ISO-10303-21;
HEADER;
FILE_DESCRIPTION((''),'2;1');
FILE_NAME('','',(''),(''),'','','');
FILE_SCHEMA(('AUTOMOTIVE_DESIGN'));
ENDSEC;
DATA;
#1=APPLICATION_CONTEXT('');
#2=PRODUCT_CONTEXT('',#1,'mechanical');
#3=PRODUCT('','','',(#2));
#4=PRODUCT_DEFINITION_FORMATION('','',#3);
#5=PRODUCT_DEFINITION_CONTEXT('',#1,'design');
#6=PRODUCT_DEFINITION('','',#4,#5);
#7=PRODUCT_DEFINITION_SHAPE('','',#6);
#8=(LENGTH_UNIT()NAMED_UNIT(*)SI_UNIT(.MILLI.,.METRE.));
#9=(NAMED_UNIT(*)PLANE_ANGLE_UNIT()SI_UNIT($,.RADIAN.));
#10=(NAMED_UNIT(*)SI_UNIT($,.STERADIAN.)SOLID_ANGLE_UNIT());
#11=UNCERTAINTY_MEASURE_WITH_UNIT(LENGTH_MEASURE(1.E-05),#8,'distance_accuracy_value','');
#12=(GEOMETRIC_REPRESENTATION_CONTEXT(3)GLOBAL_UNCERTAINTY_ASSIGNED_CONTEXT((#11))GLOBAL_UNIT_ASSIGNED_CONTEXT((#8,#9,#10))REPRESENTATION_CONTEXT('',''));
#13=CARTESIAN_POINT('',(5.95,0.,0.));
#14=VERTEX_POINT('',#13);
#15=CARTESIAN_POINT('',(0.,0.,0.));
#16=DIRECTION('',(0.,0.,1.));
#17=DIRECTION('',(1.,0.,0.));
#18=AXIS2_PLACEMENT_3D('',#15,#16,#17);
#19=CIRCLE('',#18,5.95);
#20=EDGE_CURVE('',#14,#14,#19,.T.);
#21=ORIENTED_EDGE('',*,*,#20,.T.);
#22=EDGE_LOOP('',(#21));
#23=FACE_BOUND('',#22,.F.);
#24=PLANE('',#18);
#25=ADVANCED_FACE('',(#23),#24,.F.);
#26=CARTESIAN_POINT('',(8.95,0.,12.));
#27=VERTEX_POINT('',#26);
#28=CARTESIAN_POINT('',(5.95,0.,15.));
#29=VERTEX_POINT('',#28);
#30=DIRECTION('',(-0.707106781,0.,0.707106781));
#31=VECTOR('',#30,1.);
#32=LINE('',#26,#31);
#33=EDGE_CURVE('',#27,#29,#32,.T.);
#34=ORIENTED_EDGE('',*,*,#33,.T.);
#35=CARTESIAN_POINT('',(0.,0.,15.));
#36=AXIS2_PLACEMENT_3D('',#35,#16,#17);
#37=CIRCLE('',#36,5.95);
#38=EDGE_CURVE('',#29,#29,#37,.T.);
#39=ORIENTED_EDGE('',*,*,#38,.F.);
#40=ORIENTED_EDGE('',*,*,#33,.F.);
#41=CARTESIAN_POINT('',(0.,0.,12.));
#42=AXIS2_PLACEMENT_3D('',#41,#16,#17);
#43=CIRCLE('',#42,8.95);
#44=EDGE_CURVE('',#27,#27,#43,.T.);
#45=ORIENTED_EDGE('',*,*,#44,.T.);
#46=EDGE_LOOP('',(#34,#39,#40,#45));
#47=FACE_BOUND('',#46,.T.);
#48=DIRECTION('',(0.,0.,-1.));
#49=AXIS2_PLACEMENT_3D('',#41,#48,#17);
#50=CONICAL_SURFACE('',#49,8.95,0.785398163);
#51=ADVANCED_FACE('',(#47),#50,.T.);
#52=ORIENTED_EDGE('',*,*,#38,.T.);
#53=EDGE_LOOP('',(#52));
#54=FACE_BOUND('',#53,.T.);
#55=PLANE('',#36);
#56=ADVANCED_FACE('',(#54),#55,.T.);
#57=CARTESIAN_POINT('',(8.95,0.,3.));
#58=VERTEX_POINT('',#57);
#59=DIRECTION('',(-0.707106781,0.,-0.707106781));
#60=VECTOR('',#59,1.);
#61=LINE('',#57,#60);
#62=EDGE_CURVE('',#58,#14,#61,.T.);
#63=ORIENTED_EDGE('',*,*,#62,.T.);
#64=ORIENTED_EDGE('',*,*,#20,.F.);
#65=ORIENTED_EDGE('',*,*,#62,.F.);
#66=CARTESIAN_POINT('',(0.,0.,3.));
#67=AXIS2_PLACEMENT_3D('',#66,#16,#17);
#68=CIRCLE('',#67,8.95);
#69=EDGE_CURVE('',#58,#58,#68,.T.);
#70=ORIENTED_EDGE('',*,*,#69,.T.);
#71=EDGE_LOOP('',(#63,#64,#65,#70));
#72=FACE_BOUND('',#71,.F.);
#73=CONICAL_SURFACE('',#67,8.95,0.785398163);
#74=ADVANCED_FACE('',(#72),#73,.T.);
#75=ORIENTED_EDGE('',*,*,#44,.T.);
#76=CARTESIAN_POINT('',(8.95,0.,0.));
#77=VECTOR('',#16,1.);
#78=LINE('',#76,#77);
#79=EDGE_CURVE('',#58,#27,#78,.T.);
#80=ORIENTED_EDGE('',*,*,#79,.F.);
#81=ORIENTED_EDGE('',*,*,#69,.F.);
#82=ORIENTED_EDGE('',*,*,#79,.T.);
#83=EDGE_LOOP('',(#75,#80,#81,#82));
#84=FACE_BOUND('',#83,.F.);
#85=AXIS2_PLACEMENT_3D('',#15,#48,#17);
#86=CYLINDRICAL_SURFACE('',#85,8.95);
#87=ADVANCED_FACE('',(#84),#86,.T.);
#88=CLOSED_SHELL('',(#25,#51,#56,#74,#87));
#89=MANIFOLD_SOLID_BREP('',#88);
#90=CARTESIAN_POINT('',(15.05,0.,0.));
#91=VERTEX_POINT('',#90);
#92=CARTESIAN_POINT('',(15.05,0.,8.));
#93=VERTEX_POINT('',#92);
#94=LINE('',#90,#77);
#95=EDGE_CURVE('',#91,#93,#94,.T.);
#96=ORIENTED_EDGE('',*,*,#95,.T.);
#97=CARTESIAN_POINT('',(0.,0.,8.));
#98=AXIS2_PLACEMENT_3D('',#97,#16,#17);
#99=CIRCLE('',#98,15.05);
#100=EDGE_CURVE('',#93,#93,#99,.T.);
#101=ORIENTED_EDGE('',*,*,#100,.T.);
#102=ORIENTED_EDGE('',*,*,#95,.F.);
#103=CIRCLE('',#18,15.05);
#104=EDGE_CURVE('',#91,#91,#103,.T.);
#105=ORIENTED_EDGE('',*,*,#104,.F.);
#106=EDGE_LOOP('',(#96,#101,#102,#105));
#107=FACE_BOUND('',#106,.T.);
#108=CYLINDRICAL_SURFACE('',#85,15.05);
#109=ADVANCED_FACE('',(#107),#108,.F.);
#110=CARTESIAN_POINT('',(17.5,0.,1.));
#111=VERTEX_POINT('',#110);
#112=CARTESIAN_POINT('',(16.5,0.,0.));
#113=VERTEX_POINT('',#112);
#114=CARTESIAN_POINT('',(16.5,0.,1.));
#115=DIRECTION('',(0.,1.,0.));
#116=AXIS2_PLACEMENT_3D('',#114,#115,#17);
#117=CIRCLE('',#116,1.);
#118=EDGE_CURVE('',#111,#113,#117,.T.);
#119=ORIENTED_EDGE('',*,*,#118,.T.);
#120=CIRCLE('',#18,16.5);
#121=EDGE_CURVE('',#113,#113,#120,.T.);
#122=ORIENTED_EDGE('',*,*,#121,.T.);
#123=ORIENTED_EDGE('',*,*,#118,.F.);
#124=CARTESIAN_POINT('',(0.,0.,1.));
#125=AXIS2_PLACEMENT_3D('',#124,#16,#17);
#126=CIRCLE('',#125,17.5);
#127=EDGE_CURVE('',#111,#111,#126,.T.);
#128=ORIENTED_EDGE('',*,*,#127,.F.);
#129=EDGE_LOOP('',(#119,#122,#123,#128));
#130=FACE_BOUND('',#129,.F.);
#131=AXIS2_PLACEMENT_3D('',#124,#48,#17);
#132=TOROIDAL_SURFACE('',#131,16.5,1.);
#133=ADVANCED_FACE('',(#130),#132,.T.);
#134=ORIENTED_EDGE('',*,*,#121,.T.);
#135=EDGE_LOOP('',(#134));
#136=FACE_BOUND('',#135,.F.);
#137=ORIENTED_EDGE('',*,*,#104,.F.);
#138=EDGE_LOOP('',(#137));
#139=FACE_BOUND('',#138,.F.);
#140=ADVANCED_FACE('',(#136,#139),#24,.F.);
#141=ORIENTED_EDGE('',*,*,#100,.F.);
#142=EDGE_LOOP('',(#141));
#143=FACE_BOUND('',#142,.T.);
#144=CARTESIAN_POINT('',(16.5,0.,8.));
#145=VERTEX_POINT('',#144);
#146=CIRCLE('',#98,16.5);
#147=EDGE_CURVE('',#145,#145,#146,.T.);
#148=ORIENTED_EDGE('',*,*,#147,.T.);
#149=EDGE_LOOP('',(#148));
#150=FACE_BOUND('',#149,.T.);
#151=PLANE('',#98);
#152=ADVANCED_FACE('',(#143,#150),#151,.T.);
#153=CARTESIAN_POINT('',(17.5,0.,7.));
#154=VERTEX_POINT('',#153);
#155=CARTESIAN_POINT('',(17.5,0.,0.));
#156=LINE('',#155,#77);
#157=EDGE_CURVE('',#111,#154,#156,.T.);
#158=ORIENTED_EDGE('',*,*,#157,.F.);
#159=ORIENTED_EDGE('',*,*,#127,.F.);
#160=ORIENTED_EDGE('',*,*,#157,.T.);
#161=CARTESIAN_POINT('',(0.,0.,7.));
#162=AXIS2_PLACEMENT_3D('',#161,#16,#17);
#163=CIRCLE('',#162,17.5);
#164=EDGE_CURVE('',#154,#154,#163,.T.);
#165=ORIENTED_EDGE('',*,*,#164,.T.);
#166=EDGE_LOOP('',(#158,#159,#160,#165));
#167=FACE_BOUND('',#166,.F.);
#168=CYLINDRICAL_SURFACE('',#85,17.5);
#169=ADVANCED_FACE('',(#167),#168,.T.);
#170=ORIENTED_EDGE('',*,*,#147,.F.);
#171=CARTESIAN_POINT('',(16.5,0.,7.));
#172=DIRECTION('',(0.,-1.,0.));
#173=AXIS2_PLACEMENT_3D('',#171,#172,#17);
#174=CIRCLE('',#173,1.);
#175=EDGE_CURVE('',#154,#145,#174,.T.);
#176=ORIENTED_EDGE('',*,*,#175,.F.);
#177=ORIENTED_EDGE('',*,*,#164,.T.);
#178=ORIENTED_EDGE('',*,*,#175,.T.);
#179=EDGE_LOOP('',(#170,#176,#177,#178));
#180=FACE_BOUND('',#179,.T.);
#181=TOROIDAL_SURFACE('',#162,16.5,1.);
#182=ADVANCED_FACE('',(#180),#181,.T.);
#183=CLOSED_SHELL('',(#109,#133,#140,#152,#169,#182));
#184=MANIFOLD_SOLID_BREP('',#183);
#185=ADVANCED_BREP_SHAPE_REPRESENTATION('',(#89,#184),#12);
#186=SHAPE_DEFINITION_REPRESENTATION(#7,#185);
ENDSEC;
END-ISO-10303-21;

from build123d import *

# Parameters (mm, degrees)
SKETCH_R     = 17.5
SKETCH_R_2   = 15.05
PAD_DEPTH    = 8
FILLET_R     = 1
SKETCH001_R  = 8.95
PAD001_DEPTH = 15
CHAMFER_SIZE = 3


with BuildPart() as ring:
    # Sketch → Pad (new body)
    with BuildSketch(Plane.XY):
        Circle(SKETCH_R)
        Circle(SKETCH_R_2, mode=Mode.SUBTRACT)
    extrude(amount=PAD_DEPTH)

    # Fillet
    fillet_edges = [ring.edges().sort_by_distance(p)[0] for p in [
        (17.5, 0, 4),
        (-17.5, 0, 0),
        (-17.5, 0, 8),
    ]]
    fillet(fillet_edges, radius=FILLET_R)


with BuildPart() as hub:
    # Sketch001 → Pad001 (new body)
    with BuildSketch(Plane.XY):
        Circle(SKETCH001_R)
    extrude(amount=PAD001_DEPTH)

    # Chamfer
    chamfer_edges = [hub.edges().sort_by_distance(p)[0] for p in [
        (8.95, 0, 7.5),
        (-8.95, 0, 0),
        (-8.95, 0, 15),
    ]]
    chamfer(chamfer_edges, length=CHAMFER_SIZE)


solid = Compound([ring.part, hub.part])
